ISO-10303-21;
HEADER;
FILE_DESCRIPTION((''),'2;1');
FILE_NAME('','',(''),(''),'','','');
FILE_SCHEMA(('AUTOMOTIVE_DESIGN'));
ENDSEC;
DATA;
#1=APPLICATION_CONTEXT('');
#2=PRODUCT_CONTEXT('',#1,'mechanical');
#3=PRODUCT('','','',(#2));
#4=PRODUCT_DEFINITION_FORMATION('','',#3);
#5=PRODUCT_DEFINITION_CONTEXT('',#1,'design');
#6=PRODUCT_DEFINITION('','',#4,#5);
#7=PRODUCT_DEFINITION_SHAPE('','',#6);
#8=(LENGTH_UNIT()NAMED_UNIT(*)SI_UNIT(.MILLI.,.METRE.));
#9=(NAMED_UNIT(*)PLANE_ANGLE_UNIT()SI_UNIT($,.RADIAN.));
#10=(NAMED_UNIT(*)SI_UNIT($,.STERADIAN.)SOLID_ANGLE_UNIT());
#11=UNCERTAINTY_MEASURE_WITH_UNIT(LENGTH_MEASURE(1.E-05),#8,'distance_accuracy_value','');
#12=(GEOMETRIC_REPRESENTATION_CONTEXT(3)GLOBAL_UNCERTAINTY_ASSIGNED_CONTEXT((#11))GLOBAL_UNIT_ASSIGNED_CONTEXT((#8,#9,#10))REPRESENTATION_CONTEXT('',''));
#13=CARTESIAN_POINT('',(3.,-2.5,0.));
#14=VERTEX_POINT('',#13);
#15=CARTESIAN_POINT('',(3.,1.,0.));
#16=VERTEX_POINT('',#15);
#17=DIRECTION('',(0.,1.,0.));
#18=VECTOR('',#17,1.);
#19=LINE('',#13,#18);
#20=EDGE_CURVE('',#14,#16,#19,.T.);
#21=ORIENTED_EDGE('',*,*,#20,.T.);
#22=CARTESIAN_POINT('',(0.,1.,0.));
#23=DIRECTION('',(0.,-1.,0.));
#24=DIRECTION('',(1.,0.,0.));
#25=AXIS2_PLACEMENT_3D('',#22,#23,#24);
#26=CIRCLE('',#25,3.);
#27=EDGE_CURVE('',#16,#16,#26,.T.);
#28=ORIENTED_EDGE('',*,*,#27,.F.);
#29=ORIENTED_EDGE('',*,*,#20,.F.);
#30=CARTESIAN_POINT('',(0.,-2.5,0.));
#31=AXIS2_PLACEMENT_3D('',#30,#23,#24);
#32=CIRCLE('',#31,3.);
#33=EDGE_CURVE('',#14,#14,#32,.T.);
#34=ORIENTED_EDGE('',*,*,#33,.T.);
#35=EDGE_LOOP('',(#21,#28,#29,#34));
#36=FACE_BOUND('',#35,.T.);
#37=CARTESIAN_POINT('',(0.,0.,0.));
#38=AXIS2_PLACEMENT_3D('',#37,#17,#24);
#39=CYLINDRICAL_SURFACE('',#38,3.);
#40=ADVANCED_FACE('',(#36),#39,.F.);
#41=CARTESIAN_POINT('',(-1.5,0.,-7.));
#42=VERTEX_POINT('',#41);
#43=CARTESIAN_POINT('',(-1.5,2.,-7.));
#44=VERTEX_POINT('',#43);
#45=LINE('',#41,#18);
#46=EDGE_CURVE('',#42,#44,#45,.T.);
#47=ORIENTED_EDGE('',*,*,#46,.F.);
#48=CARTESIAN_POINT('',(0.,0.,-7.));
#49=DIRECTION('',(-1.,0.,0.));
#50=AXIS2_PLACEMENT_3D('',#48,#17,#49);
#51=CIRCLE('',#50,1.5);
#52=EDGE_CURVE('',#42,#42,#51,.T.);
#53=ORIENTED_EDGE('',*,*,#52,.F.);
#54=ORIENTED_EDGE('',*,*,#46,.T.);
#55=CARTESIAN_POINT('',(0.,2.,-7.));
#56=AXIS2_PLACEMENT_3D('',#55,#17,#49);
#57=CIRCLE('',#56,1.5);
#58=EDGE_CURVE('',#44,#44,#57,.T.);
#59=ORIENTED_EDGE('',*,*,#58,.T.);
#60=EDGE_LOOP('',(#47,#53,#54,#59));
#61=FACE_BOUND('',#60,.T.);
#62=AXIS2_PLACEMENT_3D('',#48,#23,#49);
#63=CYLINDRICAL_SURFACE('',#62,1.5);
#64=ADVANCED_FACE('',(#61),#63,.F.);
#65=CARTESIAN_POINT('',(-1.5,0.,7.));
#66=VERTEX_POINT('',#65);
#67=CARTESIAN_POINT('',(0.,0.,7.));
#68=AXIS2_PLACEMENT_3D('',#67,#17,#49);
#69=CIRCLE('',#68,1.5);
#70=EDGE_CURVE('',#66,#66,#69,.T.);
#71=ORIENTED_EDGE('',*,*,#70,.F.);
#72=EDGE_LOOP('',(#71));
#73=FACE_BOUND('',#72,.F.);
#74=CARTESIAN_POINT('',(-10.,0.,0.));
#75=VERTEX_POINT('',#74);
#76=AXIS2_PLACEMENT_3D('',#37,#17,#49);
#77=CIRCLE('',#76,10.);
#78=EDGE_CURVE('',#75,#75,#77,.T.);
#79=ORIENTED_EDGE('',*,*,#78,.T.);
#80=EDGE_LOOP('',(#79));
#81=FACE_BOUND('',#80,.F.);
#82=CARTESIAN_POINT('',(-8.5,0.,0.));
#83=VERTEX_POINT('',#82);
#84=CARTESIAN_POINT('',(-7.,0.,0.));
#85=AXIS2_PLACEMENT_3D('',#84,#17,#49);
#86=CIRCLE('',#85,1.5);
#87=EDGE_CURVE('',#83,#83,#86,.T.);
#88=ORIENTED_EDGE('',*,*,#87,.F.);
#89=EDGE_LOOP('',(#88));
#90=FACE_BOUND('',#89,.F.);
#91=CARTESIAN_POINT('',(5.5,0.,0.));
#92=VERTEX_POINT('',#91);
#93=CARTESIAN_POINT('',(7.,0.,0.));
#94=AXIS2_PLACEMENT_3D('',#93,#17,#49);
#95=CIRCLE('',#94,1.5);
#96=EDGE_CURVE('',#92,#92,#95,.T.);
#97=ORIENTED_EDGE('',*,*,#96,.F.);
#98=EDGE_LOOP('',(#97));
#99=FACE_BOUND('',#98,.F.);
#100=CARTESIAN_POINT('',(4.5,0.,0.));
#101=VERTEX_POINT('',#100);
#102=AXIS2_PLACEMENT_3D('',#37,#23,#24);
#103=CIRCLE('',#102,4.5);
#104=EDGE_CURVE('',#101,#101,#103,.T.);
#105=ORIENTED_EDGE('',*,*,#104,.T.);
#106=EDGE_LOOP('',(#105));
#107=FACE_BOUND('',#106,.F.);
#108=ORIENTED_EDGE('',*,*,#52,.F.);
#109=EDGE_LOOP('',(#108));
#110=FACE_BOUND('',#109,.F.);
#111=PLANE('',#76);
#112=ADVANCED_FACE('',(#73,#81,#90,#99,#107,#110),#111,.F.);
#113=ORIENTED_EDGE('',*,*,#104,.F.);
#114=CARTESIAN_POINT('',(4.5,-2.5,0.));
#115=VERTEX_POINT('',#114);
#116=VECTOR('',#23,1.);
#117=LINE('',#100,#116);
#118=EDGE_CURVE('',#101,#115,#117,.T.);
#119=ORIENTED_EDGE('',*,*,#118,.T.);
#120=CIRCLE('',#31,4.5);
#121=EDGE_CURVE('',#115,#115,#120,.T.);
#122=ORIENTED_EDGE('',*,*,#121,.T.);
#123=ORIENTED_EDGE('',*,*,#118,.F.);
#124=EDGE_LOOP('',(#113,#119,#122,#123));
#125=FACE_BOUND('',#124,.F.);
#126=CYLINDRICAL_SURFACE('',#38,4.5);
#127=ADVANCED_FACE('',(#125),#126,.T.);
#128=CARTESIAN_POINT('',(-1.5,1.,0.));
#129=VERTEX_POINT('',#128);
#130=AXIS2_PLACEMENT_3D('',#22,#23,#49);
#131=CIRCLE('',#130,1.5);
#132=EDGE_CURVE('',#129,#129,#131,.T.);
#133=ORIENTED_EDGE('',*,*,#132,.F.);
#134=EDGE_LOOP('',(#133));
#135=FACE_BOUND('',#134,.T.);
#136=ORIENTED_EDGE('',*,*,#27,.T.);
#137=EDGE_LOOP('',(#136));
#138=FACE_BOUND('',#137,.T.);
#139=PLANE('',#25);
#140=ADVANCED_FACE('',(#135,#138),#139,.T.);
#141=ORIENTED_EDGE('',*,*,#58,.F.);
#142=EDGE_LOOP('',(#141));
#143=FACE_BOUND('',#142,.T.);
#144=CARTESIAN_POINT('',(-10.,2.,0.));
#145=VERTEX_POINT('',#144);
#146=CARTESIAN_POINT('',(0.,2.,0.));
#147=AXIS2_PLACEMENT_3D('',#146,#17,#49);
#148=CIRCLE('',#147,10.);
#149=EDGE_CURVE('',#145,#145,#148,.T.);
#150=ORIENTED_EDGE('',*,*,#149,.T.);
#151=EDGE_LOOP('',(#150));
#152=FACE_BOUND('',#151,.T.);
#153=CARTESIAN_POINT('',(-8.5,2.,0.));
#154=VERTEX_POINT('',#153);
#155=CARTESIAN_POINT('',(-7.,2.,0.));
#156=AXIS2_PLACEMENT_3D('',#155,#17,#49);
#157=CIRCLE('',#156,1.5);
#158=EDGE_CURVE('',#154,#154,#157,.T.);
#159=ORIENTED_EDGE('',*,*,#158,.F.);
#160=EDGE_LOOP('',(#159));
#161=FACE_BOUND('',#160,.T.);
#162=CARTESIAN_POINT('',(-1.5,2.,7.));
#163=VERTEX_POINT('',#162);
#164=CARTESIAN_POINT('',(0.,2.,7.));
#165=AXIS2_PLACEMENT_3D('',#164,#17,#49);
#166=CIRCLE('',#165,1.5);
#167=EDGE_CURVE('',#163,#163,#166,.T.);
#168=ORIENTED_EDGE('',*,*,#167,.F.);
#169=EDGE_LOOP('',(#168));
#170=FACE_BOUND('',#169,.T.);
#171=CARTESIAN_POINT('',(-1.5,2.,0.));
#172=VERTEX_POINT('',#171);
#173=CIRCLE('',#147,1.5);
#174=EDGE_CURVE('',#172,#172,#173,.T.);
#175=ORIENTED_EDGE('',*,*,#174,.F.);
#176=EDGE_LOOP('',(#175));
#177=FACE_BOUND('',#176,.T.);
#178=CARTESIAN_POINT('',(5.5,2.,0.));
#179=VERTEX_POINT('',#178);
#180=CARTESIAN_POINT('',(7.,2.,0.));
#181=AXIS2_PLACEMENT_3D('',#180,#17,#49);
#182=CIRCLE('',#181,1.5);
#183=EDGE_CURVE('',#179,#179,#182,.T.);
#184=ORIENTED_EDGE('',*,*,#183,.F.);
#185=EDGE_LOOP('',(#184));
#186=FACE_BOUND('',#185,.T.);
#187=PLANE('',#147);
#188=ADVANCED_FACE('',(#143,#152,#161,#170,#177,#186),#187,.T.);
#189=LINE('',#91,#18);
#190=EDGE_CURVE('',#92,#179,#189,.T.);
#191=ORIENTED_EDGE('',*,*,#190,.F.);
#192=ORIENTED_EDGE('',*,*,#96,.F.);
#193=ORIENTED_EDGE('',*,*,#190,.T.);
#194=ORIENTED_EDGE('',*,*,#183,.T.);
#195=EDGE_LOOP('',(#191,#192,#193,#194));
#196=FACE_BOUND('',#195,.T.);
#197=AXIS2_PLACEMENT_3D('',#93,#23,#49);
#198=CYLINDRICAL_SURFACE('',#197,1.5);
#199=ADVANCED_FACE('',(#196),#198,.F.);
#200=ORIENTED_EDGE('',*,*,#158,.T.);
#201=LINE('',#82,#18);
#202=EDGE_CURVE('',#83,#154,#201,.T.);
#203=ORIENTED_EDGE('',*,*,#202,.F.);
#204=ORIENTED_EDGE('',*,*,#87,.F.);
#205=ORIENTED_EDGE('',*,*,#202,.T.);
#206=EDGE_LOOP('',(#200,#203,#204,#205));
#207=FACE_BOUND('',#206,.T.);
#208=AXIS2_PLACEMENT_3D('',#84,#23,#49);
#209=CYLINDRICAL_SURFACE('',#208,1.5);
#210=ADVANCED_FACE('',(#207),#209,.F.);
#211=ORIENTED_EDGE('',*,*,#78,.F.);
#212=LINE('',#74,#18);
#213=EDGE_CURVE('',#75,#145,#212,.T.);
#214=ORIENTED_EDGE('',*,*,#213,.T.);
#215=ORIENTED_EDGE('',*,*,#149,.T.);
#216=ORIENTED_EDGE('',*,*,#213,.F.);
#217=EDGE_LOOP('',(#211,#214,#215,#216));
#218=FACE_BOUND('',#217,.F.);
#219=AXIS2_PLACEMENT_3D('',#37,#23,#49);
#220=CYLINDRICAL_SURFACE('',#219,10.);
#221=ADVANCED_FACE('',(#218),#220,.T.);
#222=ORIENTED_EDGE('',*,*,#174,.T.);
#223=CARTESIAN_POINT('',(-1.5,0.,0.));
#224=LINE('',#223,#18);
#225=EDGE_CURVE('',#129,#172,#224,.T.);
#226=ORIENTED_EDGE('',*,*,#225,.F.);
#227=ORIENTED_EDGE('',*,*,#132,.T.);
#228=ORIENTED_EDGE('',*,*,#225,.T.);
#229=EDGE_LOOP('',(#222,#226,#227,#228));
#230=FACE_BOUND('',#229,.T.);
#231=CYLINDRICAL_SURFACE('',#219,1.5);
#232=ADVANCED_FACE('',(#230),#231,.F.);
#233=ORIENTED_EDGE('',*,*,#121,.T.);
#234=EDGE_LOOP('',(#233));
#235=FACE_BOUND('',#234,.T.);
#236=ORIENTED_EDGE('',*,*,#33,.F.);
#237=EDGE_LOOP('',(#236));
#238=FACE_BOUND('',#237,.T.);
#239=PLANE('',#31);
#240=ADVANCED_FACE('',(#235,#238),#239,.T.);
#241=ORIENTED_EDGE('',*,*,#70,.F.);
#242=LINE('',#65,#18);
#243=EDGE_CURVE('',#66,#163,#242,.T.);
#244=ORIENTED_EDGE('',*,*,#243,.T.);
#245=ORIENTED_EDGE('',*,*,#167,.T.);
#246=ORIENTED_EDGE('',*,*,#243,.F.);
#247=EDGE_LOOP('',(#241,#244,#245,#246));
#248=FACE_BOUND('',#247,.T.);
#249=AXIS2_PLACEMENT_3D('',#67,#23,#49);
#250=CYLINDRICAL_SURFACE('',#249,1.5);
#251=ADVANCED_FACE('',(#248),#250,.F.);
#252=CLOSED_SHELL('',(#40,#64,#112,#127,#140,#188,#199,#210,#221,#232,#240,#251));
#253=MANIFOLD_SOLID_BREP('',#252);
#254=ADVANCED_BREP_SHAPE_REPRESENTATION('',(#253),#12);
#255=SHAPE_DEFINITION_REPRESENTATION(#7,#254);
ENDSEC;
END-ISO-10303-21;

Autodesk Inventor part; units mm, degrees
ref_plane "YZ Plane" through (0, 0, 0) normal (1, 0, 0) x (0, 1, 0)
ref_plane "XZ Plane" through (0, 0, 0) normal (0, 1, 0) x (-1, 0, 0)
ref_plane "XY Plane" through (0, 0, 0) normal (0, 0, 1) x (1, 0, 0)
sketch "Эскиз1" plane through (0, 0, 0) normal (0, 1, 0) x (-1, 0, 0)
  circle A0 centre (0, 0) radius 10
  circle A1 centre (0, 0) radius 1.5
  circle A2 centre (7, 0) radius 1.5
  circle A3 centre (0, -7) radius 1.5
  circle A4 centre (-7, 0) radius 1.5
  circle A5 centre (0, 7) radius 1.5
  dimension "d0" = 20
  dimension "d1" = 3
  dimension "d2" = 3
  dimension "d3" = 3
  dimension "d4" = 3
  dimension "d5" = 3
  dimension "d6" = 7
  dimension "d7" = 7
  dimension "d8" = 7
  dimension "d9" = 7
extrude "Выдавливание1" add sketch "Эскиз1" along normal blind 2
sketch "Эскиз2" plane through (0, 0, 0) normal (0, -1, 0) x (1, 0, 0)
  circle A0 centre (0, 0) radius 1.5 projected
  circle A1 centre (0, 0) radius 3
  circle A2 centre (0, 0) radius 4.5
  dimension "d12" = 6
  dimension "d13" = 9
extrude "Выдавливание2" add sketch "Эскиз2" along normal blind 2.5 contours A2
sketch "Эскиз3" plane through (0, 0, 0) normal (0, -1, 0) x (1, 0, 0)
  circle A0 centre (0, 0) radius 1.5 projected
  circle A1 centre (0, 0) radius 3
extrude "Выдавливание3" cut sketch "Эскиз3" against normal blind 1
properties part number "MG996R_nozzle"
